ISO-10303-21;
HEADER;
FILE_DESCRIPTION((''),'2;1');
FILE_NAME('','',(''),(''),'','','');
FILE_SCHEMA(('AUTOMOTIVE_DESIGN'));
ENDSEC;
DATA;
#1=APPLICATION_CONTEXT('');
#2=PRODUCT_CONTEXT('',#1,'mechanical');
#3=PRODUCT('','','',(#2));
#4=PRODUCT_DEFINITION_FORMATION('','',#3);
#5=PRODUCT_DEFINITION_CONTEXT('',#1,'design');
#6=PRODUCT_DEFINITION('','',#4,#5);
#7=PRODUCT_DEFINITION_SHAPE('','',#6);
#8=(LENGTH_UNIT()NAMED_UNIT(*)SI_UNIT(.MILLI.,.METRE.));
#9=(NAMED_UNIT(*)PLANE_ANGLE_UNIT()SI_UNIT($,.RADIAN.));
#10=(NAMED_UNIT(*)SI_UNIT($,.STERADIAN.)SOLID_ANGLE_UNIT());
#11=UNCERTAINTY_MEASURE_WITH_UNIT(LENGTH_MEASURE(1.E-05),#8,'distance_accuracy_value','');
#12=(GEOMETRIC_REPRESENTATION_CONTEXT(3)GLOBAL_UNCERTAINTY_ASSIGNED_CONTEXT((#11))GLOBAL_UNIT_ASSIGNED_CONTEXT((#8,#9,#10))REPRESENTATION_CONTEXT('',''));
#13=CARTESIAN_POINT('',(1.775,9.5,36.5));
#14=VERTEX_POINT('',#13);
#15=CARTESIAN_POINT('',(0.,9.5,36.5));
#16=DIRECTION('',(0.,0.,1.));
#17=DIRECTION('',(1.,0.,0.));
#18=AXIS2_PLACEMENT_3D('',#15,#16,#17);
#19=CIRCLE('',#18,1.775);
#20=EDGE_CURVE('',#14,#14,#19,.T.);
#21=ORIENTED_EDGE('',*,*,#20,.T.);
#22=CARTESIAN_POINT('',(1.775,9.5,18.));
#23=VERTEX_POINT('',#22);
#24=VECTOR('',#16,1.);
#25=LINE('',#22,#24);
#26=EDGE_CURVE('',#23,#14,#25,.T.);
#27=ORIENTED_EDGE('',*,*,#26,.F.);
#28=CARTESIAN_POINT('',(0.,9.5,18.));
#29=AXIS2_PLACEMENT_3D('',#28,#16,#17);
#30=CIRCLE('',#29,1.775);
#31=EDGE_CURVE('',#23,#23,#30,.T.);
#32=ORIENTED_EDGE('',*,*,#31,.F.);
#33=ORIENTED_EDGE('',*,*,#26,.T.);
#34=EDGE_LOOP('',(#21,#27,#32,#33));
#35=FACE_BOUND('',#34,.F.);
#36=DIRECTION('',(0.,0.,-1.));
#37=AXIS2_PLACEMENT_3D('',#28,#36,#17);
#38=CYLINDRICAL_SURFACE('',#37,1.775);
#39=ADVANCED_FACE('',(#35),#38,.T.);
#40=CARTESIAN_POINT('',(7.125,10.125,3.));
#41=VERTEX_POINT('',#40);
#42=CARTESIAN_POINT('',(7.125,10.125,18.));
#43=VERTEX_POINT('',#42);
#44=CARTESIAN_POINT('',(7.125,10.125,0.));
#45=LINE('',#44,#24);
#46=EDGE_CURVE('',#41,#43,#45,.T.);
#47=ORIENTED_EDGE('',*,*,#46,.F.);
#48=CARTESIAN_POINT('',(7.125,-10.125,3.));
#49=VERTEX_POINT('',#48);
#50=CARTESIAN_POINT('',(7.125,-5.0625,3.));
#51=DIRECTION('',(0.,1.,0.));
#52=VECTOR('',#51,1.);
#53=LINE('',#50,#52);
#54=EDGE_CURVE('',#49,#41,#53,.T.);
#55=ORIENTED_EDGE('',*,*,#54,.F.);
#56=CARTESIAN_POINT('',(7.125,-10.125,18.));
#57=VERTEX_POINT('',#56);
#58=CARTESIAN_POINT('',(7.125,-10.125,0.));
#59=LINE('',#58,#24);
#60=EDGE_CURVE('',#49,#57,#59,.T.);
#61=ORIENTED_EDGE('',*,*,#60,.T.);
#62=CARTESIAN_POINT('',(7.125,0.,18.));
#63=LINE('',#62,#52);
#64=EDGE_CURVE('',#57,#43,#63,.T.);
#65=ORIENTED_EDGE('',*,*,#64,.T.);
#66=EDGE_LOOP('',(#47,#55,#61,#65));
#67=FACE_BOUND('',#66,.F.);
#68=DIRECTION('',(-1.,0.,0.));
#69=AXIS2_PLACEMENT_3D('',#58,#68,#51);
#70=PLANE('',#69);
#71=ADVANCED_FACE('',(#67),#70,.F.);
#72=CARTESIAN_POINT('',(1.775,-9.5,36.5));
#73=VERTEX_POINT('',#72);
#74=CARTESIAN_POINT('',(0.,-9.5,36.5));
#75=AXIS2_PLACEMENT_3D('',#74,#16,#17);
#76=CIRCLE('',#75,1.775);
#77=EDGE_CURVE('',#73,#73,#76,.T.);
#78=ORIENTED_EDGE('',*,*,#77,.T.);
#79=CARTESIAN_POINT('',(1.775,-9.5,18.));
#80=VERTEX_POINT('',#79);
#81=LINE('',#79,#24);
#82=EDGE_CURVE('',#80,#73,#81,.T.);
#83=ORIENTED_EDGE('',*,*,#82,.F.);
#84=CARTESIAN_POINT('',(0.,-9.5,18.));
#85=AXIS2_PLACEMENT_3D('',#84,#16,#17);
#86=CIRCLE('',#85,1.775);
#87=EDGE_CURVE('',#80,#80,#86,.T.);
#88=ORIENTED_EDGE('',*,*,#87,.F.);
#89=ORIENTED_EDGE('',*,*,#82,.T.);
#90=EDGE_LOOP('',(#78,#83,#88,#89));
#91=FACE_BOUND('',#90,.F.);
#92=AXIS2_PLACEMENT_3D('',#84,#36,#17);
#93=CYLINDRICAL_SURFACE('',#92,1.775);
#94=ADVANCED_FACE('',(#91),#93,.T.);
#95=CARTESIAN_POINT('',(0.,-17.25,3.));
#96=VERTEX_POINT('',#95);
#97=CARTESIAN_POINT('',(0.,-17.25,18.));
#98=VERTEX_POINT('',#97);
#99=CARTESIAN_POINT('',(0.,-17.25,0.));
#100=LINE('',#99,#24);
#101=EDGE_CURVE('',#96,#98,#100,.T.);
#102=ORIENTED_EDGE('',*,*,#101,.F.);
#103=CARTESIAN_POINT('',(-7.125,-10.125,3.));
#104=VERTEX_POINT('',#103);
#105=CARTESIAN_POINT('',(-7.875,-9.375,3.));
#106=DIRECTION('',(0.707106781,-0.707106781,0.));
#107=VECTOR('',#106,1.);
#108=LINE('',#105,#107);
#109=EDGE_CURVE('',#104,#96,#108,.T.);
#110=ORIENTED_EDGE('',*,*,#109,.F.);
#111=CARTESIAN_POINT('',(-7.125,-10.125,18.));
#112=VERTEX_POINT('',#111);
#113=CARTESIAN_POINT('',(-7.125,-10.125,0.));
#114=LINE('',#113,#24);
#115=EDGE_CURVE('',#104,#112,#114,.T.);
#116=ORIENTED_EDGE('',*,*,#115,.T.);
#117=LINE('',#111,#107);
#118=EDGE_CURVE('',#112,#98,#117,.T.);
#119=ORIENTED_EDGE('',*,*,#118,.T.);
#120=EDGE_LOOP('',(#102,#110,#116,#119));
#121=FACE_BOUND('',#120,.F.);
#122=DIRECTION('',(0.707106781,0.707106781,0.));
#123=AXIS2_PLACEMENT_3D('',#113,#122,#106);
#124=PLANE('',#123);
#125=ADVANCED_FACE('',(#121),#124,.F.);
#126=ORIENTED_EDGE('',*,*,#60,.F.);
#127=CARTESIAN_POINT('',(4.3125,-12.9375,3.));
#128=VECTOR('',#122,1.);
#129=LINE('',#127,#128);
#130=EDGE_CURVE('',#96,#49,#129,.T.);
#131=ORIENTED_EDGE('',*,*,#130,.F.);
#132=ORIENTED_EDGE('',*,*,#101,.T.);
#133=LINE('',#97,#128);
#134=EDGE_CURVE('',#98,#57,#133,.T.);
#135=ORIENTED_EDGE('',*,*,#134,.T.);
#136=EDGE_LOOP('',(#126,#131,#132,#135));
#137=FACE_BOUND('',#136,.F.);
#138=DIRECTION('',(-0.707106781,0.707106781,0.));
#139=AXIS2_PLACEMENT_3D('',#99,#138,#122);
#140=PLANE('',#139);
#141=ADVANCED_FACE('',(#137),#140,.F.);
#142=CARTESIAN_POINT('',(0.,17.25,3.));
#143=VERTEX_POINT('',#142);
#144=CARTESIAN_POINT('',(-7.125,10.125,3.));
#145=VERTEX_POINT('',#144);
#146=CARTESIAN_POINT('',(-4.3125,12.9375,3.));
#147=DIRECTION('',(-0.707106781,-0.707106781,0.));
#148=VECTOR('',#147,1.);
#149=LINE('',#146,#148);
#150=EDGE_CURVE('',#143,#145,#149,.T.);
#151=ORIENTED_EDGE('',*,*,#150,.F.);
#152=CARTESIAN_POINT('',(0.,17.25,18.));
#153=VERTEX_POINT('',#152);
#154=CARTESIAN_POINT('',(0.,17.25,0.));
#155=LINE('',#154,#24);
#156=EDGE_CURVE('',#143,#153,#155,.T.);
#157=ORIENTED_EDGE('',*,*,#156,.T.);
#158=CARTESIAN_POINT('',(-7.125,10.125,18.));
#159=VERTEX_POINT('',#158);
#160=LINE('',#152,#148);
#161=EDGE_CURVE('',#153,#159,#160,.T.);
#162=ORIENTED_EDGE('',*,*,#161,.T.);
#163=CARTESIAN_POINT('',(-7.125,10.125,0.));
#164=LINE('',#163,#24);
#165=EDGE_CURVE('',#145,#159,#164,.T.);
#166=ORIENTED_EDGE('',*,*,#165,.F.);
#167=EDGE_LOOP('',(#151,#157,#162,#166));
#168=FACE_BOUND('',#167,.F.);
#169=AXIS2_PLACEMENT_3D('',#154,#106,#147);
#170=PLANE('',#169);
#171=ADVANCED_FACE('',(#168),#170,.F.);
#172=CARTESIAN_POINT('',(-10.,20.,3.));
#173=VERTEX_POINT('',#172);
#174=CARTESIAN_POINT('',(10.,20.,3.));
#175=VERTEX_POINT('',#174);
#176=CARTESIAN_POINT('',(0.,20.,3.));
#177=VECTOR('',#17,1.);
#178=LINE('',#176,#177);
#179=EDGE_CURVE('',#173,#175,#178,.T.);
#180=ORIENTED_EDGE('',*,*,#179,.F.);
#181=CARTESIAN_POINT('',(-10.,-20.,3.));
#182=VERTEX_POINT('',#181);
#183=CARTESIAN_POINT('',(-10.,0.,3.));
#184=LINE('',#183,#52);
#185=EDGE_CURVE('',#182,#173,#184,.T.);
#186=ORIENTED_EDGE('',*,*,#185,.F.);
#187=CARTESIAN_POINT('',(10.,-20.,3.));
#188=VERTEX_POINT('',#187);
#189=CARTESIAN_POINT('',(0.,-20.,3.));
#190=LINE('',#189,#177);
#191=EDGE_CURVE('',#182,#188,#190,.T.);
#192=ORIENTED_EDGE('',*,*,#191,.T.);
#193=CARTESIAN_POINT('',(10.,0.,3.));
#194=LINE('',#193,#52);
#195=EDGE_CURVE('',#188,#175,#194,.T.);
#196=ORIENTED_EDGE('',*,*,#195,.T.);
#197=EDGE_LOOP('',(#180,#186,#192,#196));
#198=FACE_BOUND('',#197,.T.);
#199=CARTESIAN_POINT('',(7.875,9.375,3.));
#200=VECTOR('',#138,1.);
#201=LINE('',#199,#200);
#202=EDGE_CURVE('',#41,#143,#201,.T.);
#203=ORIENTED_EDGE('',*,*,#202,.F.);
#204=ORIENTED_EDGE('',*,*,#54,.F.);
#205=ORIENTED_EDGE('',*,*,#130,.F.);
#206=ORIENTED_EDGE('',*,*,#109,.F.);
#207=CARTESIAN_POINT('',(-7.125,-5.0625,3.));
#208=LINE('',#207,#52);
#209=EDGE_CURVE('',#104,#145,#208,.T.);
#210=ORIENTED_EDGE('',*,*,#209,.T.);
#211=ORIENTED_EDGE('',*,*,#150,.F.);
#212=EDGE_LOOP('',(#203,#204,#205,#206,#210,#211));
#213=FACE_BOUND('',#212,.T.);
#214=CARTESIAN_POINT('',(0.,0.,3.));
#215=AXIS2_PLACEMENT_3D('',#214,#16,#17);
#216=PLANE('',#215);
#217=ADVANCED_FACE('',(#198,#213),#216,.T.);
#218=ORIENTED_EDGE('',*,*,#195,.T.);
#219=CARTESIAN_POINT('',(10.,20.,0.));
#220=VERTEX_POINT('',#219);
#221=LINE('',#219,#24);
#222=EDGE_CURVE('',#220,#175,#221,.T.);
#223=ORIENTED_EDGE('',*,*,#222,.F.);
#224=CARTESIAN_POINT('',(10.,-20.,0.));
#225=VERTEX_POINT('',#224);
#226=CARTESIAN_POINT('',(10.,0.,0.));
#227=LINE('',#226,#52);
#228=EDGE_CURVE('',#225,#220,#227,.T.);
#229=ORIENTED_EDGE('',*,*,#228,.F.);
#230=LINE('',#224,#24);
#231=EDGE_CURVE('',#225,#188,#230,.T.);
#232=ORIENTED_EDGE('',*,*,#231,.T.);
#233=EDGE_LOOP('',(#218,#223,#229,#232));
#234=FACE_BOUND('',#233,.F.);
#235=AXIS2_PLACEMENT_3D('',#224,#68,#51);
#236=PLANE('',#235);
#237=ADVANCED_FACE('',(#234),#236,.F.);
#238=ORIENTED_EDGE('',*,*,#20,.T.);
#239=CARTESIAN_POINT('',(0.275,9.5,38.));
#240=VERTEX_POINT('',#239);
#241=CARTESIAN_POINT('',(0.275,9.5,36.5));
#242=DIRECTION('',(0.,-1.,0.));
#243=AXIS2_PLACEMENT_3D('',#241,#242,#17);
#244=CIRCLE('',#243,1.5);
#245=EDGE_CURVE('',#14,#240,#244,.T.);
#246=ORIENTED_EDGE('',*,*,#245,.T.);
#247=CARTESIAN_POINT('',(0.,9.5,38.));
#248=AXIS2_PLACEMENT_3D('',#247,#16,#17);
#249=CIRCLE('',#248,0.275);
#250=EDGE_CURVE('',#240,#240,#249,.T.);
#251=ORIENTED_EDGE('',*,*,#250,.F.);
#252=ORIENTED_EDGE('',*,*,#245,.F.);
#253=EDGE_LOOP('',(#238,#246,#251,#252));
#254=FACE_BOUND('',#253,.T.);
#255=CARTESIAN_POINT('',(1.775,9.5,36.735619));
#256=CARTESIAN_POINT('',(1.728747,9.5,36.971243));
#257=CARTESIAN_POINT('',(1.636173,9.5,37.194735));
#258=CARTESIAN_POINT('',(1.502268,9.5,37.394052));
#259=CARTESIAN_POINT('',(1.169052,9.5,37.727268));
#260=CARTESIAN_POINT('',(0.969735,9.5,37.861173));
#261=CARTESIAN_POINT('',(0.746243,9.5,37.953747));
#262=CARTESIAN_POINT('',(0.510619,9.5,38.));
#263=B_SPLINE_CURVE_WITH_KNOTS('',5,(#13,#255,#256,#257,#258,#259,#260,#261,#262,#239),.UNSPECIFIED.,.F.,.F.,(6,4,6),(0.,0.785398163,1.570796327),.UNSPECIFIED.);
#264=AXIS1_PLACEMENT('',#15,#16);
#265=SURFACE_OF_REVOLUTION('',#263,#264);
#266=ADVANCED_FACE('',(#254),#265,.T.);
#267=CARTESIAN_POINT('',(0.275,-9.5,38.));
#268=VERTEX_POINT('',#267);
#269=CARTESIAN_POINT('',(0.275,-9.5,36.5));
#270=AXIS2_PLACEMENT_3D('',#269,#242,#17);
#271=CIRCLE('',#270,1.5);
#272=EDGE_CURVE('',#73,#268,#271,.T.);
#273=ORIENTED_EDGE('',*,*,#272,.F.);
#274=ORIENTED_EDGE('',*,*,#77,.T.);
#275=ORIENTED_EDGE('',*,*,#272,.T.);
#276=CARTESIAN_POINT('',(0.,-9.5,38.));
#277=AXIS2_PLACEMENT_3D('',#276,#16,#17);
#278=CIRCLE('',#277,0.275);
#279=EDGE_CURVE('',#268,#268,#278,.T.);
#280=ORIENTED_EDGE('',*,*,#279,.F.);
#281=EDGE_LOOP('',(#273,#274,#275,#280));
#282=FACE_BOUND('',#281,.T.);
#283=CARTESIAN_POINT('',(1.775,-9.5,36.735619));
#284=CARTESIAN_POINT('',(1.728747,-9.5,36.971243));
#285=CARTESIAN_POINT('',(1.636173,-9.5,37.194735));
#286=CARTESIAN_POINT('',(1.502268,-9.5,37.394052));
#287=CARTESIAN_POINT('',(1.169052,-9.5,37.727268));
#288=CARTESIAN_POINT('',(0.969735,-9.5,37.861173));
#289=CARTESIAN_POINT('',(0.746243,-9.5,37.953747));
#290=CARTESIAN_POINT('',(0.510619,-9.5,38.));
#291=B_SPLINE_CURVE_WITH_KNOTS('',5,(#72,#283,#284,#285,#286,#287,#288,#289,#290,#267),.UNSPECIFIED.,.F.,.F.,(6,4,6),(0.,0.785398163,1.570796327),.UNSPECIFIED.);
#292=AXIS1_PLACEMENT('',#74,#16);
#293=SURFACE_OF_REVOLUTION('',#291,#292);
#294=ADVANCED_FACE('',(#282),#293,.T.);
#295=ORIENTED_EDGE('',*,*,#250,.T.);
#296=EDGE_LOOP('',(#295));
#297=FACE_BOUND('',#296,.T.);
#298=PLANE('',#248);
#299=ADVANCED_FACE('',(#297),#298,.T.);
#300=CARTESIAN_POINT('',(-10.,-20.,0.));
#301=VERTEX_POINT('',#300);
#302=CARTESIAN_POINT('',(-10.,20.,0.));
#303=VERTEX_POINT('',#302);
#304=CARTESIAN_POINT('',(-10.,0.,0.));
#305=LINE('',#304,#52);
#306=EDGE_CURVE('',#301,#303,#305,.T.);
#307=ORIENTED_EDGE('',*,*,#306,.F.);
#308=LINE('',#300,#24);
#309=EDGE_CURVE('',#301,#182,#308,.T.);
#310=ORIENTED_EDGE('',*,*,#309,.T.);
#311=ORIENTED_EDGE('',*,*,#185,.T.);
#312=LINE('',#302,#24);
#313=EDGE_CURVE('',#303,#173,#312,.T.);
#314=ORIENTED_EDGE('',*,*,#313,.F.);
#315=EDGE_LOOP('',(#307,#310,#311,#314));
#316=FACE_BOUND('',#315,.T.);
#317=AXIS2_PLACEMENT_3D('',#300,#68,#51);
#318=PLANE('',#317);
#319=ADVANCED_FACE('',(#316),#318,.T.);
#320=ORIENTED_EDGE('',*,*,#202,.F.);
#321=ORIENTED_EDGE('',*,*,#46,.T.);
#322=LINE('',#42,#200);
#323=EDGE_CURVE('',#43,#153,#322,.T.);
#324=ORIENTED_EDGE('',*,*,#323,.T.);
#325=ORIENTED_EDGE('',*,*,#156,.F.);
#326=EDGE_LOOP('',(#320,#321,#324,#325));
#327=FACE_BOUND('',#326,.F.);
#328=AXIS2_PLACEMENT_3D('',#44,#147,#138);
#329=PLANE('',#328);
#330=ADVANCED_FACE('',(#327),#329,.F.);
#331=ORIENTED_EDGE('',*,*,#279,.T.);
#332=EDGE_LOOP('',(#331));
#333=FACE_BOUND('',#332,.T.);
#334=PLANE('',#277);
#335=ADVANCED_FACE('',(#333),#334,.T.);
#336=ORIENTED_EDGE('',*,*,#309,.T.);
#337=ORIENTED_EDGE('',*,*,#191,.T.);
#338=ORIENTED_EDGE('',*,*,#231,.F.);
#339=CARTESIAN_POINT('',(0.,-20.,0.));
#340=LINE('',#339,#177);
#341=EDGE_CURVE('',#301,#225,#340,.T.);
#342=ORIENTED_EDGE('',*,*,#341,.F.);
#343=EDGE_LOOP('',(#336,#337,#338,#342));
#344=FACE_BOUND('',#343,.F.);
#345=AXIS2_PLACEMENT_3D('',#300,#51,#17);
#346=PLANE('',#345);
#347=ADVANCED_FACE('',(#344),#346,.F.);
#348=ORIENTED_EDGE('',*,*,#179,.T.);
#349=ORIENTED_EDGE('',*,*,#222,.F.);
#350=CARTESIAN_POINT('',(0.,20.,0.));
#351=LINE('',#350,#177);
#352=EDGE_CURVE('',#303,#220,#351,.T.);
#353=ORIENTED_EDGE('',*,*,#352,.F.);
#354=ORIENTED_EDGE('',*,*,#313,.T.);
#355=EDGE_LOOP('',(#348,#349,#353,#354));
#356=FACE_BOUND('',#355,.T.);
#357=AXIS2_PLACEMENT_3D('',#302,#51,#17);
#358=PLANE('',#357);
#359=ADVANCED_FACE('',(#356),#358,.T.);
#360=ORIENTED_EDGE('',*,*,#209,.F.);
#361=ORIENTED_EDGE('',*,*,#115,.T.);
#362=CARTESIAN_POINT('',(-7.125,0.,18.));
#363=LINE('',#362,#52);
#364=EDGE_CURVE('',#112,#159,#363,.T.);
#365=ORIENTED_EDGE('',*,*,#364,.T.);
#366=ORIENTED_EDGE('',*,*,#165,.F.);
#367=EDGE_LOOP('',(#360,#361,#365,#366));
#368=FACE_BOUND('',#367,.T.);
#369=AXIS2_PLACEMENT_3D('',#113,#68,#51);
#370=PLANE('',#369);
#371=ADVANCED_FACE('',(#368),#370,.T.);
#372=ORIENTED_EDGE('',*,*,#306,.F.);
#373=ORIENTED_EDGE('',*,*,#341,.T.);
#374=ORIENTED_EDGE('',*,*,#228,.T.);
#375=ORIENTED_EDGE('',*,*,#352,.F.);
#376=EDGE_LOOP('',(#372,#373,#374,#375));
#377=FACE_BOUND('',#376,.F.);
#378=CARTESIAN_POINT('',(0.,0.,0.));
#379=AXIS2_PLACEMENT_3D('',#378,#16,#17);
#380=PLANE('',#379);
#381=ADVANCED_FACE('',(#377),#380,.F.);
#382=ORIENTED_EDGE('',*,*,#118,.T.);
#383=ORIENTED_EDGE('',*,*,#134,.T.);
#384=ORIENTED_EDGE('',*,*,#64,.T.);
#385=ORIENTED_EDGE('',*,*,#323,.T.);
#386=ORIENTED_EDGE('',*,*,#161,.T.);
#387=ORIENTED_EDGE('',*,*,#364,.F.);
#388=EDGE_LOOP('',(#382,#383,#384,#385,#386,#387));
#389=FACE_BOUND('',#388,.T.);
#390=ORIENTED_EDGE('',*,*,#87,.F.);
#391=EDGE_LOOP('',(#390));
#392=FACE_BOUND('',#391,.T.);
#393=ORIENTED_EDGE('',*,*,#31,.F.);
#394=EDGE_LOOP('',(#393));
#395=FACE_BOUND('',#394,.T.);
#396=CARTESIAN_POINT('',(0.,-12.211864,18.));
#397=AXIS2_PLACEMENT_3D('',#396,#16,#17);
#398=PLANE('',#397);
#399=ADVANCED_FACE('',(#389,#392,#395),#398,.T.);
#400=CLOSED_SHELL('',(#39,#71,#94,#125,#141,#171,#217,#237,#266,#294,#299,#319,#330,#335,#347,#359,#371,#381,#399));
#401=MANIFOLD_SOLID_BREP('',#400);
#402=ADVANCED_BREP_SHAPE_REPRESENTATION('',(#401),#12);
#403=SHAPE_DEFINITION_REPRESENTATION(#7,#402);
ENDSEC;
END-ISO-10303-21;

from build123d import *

# Parameters (mm, degrees)
F0_W     = 14.25
F0_H     = 20.25
F1_DEPTH = 18
F2_W     = 20
F2_H     = 40
F3_DEPTH = 3
F4_R     = 1.775
F5_DEPTH = 20
F6_R     = 1.5


with BuildPart() as f1:
    # F0 (on Top) → F1 (new body)
    with BuildSketch(Plane.XY):
        Polygon((7.125, -10.125), (-7.125, -10.125), (0, -17.25), align=None)
        Polygon((0, 17.25), (-7.125, 10.125), (7.125, 10.125), align=None)
        Rectangle(F0_W, F0_H)
    extrude(amount=F1_DEPTH)

    # F2 (on Top) → F3 (join)
    with BuildSketch(Plane.XY):
        Rectangle(F2_W, F2_H)
    extrude(amount=F3_DEPTH)

    # F4 (on face) → F5 (join)
    with BuildSketch(Plane.XY.offset(18)):
        with Locations((0, 9.5)):
            Circle(F4_R)
        with Locations((0, -9.5)):
            Circle(F4_R)
    extrude(amount=F5_DEPTH)

    # F6
    f6_edges = [f1.edges().sort_by_distance(p)[0] for p in [
        (-1.775, -9.5, 38),
        (-1.775, 9.5, 38),
    ]]
    fillet(f6_edges, radius=F6_R)


solid = f1.part
